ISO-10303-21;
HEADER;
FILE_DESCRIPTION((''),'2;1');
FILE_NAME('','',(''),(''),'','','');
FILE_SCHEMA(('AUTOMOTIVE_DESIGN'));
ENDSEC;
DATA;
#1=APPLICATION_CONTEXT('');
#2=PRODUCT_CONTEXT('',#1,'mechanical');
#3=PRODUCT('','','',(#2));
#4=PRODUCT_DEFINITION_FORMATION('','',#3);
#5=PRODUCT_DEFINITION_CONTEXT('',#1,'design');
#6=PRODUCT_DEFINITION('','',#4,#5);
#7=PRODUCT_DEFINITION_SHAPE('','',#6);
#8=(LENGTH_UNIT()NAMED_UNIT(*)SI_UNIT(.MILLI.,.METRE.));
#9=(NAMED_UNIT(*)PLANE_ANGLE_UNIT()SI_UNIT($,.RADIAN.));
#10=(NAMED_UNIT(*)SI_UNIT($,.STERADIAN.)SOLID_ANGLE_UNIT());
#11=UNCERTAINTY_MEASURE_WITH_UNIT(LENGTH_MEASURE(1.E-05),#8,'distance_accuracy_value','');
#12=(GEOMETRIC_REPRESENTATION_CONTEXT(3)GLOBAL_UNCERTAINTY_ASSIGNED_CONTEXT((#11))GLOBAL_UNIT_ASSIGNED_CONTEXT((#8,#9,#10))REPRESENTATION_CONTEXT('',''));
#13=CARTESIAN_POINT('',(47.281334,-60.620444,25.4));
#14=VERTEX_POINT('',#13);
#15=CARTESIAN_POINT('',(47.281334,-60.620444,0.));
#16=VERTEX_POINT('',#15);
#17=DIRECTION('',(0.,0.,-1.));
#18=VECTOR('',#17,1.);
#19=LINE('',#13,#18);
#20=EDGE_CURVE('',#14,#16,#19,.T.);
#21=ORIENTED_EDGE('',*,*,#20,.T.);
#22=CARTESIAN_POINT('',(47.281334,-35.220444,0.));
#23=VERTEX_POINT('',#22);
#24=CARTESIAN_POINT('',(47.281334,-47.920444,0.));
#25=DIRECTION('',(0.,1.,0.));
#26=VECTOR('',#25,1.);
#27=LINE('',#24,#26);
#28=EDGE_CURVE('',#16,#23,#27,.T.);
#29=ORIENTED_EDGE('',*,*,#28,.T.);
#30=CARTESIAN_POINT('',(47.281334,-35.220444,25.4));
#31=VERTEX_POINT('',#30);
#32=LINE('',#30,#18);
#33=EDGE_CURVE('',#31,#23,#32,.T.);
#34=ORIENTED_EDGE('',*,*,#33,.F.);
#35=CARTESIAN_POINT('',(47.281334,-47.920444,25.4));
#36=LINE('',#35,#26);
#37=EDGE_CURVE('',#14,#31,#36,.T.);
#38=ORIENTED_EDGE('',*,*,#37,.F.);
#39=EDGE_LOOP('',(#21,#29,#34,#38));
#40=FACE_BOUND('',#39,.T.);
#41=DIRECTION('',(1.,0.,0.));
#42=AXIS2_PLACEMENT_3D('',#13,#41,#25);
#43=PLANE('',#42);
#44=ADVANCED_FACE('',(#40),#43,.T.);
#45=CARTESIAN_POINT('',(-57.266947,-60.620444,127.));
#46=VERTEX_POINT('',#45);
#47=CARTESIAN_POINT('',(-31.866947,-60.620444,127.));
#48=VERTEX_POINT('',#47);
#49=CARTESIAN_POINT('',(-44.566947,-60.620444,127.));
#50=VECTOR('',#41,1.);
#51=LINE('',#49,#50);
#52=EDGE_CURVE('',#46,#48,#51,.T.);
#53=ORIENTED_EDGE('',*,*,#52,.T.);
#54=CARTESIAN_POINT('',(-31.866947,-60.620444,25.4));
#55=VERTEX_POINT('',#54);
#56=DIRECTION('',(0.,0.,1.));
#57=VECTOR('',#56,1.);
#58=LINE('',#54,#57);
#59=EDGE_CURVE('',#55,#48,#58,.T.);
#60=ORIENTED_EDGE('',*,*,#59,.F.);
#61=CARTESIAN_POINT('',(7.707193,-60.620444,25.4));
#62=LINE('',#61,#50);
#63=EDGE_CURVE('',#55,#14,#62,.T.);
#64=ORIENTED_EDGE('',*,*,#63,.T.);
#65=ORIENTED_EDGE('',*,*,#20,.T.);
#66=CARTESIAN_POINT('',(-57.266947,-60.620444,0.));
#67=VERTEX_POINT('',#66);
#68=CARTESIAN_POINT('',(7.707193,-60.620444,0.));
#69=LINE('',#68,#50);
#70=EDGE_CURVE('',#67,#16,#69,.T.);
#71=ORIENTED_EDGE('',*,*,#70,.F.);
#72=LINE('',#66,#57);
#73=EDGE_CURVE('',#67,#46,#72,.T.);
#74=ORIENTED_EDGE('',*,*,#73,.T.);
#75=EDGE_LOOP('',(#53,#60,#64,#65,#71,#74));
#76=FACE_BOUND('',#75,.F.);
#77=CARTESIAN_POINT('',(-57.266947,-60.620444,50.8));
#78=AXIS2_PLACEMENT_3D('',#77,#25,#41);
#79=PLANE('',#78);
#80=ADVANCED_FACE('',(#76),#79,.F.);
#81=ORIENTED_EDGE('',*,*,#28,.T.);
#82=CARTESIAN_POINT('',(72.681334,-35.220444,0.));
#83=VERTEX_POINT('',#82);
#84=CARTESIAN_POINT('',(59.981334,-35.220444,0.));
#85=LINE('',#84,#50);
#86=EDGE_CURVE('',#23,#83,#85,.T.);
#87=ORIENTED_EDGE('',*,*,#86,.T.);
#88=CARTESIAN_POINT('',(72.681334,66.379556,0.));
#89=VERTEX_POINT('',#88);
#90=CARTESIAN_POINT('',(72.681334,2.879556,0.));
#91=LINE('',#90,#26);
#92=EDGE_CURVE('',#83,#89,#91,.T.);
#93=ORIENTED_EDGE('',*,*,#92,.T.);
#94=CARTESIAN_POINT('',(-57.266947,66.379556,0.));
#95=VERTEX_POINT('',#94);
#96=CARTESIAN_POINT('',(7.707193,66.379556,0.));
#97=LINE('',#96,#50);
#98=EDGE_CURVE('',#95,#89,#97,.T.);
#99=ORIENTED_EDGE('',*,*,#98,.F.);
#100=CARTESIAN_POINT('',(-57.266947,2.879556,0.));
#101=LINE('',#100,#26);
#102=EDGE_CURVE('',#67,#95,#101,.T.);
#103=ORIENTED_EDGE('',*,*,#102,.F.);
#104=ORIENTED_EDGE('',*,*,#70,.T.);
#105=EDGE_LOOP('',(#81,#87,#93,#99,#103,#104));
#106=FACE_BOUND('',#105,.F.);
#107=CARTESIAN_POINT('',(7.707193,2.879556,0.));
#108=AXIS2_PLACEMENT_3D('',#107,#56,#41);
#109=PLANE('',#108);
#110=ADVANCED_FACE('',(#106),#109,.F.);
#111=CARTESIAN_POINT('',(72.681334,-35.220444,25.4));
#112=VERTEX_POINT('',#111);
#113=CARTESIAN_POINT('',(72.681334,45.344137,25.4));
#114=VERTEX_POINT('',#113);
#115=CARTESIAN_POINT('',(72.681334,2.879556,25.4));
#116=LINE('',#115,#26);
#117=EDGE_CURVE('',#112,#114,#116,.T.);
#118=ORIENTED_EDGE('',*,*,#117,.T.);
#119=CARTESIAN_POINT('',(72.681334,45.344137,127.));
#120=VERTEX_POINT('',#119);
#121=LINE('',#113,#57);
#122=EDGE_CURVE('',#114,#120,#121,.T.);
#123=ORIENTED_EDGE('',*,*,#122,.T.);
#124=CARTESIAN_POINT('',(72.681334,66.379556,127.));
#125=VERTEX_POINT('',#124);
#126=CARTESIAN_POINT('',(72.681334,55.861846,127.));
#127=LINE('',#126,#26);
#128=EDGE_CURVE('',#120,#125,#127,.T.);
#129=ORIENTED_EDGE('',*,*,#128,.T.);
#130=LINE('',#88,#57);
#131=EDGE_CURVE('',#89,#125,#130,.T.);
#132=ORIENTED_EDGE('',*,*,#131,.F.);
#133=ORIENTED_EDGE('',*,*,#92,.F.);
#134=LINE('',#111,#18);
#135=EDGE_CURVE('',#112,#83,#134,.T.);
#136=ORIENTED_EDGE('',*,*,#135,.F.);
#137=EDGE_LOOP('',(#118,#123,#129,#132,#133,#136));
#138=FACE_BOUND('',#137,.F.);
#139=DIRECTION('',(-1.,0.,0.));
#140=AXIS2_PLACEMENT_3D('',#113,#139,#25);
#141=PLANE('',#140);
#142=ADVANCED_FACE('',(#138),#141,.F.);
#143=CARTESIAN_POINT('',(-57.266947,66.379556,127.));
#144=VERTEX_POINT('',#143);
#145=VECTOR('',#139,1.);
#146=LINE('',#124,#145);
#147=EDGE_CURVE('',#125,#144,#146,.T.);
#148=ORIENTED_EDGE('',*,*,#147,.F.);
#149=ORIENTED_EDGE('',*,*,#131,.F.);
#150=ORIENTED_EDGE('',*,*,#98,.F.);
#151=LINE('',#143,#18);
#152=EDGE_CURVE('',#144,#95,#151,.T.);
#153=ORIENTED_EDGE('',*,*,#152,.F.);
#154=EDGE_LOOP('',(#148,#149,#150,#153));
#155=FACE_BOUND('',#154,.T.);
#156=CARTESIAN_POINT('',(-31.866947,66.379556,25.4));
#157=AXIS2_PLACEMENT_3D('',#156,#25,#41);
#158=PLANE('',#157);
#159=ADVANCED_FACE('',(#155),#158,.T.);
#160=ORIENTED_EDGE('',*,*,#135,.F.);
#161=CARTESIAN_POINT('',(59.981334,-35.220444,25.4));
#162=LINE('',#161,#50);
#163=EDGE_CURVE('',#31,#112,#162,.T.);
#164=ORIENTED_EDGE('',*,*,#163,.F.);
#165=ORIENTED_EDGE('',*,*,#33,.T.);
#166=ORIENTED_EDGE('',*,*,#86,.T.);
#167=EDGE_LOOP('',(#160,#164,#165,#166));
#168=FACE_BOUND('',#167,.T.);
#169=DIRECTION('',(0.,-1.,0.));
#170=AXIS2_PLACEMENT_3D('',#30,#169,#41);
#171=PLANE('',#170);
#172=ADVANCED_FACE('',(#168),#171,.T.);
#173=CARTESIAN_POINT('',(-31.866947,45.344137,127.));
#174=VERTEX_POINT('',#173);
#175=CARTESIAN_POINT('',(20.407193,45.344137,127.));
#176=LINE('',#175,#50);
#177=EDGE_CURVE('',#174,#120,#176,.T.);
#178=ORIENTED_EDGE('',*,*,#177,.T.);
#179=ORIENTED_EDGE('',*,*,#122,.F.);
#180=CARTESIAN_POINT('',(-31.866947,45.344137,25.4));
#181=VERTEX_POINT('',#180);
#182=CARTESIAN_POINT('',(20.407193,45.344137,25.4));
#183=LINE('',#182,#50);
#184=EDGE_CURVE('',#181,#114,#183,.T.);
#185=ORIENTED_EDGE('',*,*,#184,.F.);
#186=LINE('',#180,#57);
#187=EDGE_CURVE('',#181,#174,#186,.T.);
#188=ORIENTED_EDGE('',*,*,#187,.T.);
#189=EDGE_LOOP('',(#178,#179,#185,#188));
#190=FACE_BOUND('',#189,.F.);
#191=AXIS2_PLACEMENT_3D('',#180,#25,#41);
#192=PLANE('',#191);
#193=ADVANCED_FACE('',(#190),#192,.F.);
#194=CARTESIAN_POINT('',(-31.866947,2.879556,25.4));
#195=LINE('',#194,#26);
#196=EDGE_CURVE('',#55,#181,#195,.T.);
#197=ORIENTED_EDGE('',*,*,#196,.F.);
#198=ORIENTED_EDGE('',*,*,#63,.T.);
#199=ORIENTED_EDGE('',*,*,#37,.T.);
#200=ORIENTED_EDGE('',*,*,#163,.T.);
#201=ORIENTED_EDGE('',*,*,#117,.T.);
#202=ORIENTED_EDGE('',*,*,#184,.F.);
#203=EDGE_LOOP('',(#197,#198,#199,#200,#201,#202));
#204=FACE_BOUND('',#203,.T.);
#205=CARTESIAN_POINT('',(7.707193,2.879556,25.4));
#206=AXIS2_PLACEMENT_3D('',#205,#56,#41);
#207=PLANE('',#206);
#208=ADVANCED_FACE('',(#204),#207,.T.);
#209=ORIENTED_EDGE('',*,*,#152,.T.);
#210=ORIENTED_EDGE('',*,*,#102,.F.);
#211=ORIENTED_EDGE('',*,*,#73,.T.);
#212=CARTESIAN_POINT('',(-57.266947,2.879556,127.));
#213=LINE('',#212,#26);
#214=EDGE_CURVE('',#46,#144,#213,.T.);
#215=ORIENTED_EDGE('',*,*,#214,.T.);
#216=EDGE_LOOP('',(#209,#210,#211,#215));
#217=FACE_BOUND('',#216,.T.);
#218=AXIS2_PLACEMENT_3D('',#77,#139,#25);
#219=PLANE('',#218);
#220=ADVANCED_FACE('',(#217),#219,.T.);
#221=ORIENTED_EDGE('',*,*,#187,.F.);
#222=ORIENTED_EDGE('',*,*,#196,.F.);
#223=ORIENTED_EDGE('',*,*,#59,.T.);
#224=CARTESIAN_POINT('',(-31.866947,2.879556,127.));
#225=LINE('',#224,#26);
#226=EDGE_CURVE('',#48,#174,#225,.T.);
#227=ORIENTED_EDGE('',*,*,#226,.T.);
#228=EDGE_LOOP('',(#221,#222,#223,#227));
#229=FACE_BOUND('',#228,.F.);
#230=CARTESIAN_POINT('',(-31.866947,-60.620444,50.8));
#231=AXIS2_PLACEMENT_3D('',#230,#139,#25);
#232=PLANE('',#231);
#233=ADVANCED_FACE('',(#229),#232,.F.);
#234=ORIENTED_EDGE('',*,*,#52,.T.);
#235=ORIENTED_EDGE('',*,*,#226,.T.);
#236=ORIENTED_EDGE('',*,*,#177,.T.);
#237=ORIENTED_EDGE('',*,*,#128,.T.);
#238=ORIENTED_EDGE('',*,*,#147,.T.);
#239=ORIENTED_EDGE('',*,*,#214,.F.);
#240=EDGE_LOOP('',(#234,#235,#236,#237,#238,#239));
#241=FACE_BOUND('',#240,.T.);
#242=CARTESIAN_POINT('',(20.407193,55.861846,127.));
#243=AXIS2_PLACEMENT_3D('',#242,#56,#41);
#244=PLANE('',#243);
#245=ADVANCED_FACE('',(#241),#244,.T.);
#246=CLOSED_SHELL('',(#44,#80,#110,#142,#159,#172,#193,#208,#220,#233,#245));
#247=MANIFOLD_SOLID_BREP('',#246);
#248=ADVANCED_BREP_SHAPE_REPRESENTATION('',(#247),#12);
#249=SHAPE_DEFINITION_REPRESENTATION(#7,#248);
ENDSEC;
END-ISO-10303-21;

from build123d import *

# Parameters (mm, degrees)
F0_W     = 129.9482808348
F0_H     = 127
F1_DEPTH = 25.4
F2_W     = 25.4
F2_H     = 127
F3_DEPTH = 25.4
F4_DEPTH = 76.2
F5_W     = 104.5482808348
F5_H     = 21.0354196131
F6_DEPTH = 101.6
F7_W     = 25.4
F7_H     = 25.4
F8_DEPTH = 25.4


with BuildPart() as f1:
    # F0 (on Top) → F1 (new body)
    with BuildSketch(Plane.XY):
        with Locations((7.7071934938, 2.8795562685)):
            Rectangle(F0_W, F0_H)
    extrude(amount=F1_DEPTH)

    # F2 (on face) → F3 (join)
    with BuildSketch(Plane.XY.offset(25.4)):
        with Locations((-44.5669469236, 2.8795562685)):
            Rectangle(F2_W, F2_H)
    extrude(amount=F3_DEPTH)

    # F4 (add): a face of the model
    f4_faces = [f1.faces().sort_by_distance(p)[0] for p in [
        (-44.5669469236, 2.8795562685, 50.8),
    ]]
    extrude(f4_faces, amount=F4_DEPTH)

    # F5 (on face) → F6 (join)
    with BuildSketch(Plane.XY.offset(25.4)):
        with Locations((20.4071934938, 55.8618464619)):
            Rectangle(F5_W, F5_H)
    extrude(amount=F6_DEPTH)

    # F7 (on face) → F8 (cut)
    with BuildSketch(Plane.XY.offset(25.4)):
        with Locations((59.9813339112, -47.9204437315)):
            Rectangle(F7_W, F7_H)
    extrude(amount=-F8_DEPTH, mode=Mode.SUBTRACT)


solid = f1.part
